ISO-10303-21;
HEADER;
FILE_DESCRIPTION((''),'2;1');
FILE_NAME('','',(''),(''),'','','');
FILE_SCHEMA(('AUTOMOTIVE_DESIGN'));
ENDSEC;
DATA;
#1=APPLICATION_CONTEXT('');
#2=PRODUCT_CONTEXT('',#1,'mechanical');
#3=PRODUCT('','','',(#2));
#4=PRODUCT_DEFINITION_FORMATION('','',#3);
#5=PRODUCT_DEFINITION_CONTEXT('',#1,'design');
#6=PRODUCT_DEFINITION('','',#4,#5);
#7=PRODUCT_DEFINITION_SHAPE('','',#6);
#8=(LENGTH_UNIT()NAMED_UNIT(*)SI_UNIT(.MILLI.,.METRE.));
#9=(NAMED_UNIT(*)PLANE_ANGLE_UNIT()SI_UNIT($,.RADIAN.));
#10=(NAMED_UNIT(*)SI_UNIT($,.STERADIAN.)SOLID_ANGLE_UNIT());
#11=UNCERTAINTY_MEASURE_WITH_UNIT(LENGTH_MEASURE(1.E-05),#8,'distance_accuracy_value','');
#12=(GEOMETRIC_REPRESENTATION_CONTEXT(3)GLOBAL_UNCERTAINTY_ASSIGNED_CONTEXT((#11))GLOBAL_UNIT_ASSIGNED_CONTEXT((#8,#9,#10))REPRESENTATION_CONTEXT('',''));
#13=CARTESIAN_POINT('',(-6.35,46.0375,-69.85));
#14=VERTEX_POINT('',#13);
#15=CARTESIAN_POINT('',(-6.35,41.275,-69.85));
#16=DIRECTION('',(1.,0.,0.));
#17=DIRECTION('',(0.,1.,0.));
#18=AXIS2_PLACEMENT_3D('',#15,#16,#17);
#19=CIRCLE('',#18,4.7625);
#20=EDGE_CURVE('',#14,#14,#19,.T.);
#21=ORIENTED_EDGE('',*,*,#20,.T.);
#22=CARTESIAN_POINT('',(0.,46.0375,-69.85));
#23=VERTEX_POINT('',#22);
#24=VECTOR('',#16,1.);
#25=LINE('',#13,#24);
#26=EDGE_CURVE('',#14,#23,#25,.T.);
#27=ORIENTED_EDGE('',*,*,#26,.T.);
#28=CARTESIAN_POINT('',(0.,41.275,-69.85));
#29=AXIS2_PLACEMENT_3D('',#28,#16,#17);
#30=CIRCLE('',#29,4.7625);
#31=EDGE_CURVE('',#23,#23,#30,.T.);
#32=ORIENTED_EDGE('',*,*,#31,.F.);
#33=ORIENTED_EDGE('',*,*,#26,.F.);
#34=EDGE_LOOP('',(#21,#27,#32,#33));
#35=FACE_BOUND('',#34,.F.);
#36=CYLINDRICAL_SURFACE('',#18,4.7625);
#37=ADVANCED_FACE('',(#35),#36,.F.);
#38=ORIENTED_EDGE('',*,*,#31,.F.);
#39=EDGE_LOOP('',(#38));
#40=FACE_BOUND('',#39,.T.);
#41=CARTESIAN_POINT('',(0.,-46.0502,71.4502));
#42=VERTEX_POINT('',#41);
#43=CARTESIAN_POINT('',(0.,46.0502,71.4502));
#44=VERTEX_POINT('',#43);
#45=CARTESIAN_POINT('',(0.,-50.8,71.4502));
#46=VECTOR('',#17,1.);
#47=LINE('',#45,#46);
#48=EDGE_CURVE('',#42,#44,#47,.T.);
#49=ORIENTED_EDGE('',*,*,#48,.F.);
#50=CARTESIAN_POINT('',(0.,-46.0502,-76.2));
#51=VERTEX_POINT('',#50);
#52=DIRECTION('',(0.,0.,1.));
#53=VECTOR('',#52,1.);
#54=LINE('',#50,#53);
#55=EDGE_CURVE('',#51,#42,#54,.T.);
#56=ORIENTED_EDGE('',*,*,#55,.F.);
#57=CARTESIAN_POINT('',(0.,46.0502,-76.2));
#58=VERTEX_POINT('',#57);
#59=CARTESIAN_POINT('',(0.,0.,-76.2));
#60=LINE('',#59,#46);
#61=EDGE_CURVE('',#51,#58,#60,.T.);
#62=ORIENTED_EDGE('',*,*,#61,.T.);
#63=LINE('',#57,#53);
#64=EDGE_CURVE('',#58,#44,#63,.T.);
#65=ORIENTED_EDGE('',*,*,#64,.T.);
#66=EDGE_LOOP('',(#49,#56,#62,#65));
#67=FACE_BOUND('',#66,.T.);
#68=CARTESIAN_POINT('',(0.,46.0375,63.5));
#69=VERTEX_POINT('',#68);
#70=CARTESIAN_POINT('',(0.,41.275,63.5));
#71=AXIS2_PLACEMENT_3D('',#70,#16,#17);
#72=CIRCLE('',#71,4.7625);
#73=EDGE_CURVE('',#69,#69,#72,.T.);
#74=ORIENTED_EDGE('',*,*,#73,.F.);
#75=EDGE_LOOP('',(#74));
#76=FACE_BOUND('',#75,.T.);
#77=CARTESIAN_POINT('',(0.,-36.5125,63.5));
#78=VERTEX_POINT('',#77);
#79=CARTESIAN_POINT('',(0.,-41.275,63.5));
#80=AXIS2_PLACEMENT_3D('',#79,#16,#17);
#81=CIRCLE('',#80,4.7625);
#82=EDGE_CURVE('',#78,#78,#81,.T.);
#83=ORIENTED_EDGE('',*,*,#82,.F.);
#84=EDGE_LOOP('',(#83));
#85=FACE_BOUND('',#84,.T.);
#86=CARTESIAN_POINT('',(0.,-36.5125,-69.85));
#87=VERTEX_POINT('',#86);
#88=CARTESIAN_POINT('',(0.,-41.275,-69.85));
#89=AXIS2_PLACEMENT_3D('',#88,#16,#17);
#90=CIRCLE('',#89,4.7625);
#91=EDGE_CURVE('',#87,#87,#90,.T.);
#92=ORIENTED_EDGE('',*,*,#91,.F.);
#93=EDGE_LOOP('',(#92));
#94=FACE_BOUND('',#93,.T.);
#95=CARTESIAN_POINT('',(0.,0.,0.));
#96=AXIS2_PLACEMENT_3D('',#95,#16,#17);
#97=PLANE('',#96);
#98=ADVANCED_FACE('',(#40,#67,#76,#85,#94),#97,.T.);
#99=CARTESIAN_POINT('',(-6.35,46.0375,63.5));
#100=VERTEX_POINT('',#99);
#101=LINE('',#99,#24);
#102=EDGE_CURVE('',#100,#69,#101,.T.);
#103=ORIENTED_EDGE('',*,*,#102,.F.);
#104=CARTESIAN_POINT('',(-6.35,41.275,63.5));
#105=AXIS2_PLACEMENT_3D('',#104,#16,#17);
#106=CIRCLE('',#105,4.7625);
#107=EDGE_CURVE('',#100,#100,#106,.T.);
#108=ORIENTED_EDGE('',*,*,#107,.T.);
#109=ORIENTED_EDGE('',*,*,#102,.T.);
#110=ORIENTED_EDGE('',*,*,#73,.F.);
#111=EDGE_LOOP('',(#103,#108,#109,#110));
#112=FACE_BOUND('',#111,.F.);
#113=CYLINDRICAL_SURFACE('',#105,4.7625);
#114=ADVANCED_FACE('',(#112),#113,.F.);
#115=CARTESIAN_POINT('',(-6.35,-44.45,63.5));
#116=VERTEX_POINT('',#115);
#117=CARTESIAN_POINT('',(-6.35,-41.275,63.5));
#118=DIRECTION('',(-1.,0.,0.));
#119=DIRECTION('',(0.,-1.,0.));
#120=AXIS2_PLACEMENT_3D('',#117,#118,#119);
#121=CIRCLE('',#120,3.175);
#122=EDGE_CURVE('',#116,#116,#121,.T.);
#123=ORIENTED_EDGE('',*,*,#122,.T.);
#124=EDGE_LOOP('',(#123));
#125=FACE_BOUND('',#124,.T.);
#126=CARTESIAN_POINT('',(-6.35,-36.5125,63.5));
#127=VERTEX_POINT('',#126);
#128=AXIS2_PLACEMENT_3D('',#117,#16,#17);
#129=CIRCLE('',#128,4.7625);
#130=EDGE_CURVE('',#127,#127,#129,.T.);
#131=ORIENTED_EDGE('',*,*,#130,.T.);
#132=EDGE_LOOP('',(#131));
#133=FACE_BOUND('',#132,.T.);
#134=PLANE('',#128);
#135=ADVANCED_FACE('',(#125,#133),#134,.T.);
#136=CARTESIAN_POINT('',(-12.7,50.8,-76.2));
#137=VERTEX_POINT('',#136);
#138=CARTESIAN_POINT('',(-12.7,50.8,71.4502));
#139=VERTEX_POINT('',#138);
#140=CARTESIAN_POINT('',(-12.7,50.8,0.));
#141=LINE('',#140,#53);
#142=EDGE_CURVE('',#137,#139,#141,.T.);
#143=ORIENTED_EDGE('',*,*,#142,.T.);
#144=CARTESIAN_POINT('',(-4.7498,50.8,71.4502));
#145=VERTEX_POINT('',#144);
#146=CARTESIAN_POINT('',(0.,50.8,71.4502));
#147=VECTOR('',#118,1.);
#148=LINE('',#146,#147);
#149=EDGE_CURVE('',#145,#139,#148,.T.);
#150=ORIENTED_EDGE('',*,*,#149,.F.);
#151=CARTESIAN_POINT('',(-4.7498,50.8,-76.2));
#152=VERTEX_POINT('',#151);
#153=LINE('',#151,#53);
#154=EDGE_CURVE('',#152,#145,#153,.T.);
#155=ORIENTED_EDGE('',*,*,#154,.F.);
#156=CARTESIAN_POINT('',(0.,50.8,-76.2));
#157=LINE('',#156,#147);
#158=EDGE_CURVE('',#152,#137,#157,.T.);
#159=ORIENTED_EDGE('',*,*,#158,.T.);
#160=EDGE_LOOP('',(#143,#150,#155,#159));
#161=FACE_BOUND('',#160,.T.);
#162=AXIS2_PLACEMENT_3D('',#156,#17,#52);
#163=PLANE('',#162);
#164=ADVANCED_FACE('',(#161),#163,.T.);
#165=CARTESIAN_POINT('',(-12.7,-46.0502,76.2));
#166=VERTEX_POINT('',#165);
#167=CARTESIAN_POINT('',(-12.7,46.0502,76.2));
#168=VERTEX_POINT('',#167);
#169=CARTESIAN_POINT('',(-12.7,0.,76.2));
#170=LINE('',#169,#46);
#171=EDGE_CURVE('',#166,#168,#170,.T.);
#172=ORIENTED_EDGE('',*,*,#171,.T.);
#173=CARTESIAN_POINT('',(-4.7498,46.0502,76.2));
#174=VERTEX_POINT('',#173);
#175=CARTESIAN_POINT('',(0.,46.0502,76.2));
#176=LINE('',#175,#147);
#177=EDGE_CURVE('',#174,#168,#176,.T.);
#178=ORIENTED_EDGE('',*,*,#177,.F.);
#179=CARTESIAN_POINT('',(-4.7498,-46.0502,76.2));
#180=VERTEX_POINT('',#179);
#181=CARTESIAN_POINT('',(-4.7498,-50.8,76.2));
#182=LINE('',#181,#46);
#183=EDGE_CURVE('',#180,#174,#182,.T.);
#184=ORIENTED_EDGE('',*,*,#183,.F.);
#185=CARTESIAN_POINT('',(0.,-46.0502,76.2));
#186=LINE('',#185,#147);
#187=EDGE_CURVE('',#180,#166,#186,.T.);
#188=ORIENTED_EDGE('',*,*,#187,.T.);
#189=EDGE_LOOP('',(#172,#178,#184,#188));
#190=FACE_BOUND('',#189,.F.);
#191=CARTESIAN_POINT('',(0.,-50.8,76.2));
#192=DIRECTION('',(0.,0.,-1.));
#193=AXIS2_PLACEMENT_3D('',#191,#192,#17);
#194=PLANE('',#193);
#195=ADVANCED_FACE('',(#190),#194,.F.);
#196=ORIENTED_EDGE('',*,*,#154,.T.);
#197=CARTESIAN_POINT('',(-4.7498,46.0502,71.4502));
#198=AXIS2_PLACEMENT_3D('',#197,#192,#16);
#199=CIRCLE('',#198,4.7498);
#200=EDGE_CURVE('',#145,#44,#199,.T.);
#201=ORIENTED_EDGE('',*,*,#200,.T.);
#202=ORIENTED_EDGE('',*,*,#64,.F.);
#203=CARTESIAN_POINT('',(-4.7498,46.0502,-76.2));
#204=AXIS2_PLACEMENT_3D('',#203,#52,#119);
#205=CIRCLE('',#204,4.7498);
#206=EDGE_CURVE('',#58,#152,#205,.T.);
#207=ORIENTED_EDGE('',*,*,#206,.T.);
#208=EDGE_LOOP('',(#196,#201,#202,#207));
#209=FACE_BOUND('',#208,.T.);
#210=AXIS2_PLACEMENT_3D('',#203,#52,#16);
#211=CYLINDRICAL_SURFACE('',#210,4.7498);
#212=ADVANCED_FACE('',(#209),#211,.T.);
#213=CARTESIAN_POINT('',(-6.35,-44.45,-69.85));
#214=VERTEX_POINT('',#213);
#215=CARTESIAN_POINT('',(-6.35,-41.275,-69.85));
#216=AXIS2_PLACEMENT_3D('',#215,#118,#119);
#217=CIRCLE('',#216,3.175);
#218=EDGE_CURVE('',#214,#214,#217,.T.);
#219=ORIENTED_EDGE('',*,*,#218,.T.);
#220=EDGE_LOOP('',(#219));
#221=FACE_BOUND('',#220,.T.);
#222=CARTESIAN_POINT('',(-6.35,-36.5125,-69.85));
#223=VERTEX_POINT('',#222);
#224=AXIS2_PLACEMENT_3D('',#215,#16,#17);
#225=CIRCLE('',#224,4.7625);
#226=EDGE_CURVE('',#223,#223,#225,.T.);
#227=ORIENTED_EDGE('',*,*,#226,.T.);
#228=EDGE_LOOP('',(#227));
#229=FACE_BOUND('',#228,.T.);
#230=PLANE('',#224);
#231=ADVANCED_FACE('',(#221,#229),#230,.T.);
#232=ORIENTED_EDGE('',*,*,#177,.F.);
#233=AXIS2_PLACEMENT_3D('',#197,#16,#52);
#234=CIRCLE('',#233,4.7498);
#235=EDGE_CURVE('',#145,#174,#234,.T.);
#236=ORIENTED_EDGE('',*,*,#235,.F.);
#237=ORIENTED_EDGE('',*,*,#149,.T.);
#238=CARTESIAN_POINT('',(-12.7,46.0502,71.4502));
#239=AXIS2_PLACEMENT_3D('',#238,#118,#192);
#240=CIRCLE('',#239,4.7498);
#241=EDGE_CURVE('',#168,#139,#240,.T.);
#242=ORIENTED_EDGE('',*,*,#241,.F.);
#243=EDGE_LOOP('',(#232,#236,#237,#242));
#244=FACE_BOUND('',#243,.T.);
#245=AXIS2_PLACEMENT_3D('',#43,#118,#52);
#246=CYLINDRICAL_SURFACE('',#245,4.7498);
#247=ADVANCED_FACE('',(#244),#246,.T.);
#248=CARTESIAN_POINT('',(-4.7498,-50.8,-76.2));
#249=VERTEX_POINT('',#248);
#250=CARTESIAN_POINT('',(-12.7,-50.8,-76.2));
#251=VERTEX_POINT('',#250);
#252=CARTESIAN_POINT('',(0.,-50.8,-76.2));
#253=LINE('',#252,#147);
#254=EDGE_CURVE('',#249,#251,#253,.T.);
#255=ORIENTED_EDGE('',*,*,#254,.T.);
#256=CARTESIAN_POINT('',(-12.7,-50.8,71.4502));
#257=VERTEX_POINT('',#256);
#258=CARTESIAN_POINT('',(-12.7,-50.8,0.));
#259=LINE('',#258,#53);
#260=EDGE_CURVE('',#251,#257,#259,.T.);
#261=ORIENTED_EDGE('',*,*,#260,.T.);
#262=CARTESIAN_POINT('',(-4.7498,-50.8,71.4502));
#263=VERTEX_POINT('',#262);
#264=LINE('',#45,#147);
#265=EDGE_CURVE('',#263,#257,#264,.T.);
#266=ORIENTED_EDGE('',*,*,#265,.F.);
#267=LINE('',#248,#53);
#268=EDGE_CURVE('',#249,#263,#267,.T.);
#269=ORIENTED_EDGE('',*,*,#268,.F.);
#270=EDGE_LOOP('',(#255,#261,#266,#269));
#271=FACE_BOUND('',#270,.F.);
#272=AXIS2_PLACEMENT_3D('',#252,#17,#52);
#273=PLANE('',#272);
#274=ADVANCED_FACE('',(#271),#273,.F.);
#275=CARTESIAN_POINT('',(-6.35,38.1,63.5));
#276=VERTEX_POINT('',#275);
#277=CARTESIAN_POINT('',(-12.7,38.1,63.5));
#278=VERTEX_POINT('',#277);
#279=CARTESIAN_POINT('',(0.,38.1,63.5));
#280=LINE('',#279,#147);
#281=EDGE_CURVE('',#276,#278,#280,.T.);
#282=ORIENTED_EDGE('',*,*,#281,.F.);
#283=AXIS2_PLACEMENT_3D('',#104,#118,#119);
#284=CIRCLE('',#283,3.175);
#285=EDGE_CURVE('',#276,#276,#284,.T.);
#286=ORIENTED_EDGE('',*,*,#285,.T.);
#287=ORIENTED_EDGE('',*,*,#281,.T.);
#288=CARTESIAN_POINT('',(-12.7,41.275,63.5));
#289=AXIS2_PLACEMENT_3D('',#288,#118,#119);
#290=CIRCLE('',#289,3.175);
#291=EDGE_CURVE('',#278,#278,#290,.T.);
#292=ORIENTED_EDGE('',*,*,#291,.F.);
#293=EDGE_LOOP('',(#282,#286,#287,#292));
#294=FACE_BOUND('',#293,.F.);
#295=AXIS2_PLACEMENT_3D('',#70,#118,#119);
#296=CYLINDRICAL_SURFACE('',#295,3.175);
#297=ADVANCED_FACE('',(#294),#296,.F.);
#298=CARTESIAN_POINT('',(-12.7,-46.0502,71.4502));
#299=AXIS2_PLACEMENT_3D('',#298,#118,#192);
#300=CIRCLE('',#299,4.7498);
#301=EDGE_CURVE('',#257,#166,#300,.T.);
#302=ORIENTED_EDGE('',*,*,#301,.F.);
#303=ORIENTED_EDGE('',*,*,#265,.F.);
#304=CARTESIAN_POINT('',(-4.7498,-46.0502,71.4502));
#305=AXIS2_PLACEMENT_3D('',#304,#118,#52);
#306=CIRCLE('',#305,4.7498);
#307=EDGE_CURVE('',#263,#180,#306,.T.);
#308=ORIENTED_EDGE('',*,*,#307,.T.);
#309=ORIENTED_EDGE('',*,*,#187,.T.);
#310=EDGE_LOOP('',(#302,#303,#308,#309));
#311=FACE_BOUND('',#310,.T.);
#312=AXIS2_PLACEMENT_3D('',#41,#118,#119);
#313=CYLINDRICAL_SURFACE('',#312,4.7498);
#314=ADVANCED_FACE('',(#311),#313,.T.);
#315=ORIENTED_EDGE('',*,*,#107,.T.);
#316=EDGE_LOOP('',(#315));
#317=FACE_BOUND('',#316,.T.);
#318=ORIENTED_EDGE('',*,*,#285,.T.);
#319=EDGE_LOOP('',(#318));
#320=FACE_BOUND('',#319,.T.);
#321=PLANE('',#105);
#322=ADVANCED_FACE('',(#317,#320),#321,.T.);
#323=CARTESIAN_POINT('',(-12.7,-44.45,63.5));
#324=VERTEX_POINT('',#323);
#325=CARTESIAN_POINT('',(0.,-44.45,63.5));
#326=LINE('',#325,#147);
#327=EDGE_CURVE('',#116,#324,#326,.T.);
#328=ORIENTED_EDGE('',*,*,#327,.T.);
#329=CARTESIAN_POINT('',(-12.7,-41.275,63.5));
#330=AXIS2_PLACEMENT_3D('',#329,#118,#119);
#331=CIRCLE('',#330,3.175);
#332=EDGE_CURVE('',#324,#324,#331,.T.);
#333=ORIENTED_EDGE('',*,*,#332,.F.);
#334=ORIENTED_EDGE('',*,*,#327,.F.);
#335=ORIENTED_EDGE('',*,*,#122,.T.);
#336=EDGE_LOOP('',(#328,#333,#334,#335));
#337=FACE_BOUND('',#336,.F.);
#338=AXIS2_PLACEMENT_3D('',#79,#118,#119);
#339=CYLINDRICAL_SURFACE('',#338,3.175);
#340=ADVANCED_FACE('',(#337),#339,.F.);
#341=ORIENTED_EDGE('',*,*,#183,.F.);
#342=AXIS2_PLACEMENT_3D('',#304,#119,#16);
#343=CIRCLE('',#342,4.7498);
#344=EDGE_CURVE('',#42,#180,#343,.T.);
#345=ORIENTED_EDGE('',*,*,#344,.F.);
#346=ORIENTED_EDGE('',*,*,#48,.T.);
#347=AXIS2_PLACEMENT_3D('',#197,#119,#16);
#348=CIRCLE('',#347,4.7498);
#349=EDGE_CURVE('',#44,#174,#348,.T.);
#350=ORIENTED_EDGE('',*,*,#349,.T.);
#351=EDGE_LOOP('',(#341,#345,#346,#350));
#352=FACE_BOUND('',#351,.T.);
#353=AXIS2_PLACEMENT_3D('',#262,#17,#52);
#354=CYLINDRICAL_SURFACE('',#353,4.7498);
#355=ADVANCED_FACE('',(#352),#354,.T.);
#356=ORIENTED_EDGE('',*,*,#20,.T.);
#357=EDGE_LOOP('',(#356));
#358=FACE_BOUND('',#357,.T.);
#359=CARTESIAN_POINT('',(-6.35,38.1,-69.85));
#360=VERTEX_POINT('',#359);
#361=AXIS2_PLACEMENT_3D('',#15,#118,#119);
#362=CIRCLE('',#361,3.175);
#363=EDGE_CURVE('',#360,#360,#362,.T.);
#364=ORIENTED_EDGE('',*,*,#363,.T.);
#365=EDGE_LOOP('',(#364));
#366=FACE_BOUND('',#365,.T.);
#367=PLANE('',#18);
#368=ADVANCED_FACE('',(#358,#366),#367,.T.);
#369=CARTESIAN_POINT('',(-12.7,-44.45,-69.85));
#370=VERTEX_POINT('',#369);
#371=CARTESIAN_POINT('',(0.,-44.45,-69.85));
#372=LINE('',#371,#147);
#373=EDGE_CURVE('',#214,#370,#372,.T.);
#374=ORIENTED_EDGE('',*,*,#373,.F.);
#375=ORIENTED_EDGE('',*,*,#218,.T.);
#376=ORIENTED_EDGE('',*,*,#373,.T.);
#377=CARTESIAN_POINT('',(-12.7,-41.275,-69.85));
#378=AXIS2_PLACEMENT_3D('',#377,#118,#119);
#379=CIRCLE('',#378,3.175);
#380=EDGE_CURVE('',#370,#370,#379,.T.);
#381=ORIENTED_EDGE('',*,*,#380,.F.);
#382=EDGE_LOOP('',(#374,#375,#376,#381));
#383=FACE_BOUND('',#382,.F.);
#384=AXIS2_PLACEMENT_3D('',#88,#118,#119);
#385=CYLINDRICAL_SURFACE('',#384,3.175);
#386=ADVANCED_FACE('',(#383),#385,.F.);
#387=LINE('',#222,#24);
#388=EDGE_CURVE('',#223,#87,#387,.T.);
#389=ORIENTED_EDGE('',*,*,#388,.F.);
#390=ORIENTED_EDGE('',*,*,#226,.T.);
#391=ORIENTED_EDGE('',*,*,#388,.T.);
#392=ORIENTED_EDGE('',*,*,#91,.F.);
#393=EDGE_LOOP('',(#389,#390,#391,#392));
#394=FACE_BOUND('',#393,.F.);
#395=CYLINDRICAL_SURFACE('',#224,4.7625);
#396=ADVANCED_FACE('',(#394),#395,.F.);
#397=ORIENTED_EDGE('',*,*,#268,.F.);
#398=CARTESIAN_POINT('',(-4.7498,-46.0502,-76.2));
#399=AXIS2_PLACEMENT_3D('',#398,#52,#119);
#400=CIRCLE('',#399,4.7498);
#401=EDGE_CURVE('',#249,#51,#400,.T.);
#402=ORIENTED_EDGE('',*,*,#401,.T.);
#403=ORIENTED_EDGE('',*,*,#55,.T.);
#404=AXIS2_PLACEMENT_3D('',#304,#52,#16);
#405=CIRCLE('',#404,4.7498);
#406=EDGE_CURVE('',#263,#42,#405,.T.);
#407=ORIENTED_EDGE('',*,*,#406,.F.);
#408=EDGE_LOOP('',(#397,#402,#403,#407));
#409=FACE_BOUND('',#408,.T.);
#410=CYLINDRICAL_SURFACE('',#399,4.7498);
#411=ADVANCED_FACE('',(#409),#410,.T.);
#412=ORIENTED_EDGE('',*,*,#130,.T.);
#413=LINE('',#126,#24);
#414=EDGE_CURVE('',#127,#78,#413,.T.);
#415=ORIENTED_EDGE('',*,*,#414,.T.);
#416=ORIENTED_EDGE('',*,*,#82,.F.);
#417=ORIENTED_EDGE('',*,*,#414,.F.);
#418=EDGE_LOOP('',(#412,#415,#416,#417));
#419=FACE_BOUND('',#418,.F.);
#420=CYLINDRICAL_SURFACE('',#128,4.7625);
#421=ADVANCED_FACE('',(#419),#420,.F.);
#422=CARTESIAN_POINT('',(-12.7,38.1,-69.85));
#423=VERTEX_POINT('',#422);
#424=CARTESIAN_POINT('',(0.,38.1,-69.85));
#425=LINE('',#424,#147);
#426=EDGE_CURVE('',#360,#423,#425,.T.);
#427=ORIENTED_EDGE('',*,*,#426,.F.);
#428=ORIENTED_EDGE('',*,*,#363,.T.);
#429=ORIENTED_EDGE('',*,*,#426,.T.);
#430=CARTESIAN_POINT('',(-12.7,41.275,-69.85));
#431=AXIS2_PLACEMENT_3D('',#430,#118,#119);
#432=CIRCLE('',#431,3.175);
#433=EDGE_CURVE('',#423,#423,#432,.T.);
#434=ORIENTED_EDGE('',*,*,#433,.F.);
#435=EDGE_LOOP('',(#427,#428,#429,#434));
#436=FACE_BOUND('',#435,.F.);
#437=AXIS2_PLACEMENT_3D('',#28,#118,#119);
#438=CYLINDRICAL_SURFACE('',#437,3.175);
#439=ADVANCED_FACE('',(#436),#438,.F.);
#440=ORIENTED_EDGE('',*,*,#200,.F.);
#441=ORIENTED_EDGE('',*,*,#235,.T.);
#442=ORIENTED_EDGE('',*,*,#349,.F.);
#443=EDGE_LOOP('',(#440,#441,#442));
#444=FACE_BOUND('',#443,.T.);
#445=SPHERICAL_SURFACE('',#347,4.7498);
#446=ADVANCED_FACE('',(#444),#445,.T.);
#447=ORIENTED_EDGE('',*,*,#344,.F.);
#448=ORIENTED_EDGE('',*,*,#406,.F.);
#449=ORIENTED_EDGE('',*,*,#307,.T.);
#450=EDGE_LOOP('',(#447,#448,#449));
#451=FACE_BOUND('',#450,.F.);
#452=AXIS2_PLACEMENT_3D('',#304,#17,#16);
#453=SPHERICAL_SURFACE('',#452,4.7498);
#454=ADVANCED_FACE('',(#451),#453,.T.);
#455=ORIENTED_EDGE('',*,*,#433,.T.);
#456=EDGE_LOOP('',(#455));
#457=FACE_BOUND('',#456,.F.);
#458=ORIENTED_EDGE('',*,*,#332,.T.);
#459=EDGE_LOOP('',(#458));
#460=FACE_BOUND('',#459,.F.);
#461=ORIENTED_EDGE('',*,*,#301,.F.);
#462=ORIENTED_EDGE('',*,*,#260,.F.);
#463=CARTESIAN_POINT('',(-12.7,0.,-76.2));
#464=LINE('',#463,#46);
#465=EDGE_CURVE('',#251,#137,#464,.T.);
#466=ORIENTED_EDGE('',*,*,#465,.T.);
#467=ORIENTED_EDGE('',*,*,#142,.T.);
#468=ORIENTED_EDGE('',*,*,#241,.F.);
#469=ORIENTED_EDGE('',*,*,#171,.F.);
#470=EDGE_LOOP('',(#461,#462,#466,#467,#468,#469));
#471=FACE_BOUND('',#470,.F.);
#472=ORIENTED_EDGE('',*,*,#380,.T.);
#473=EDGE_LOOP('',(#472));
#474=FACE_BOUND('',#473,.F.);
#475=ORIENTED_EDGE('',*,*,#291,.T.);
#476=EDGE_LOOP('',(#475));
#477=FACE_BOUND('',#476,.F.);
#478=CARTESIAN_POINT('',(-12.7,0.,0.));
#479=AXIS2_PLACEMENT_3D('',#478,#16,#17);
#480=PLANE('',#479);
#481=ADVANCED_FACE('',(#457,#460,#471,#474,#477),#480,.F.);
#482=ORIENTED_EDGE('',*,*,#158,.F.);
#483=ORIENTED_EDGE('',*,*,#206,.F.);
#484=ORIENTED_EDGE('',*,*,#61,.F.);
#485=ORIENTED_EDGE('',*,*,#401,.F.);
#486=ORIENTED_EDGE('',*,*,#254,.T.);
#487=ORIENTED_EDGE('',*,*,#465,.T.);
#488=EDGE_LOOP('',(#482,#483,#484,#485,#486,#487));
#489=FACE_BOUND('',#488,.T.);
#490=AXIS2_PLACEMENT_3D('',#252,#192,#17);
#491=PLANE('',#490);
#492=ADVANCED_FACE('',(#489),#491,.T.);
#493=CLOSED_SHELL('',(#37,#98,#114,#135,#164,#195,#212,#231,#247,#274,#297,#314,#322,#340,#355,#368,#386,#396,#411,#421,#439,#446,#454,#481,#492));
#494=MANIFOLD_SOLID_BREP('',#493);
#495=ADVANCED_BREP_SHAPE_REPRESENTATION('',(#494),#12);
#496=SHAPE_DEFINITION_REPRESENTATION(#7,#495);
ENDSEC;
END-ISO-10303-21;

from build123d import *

# Parameters (mm, degrees)
F0_W           = 101.6
F0_H           = 152.4
F1_DEPTH       = 12.7
F2_D           = 6.35
F2_CBORE_D     = 9.525
F2_CBORE_DEPTH = 6.35
F3_R           = 4.7498


with BuildPart() as f1:
    # F0 (on Right) → F1 (new body)
    with BuildSketch(Plane.YZ):
        Rectangle(F0_W, F0_H)
    extrude(amount=-F1_DEPTH)

    # F2 (through all)
    with Locations(Plane.YZ):
        with Locations((-41.275, -69.85), (41.275, -69.85), (-41.275, 63.5), (41.275, 63.5)):
            CounterBoreHole(F2_D / 2, F2_CBORE_D / 2, F2_CBORE_DEPTH)

    # F3
    f3_edges = [f1.edges().sort_by_distance(p)[0] for p in [
        (0, 0, 76.2),
        (0, -50.8, 0),
        (0, 50.8, 0),
        (-6.35, -50.8, 76.2),
        (-6.35, 50.8, 76.2),
    ]]
    fillet(f3_edges, radius=F3_R)


solid = f1.part
